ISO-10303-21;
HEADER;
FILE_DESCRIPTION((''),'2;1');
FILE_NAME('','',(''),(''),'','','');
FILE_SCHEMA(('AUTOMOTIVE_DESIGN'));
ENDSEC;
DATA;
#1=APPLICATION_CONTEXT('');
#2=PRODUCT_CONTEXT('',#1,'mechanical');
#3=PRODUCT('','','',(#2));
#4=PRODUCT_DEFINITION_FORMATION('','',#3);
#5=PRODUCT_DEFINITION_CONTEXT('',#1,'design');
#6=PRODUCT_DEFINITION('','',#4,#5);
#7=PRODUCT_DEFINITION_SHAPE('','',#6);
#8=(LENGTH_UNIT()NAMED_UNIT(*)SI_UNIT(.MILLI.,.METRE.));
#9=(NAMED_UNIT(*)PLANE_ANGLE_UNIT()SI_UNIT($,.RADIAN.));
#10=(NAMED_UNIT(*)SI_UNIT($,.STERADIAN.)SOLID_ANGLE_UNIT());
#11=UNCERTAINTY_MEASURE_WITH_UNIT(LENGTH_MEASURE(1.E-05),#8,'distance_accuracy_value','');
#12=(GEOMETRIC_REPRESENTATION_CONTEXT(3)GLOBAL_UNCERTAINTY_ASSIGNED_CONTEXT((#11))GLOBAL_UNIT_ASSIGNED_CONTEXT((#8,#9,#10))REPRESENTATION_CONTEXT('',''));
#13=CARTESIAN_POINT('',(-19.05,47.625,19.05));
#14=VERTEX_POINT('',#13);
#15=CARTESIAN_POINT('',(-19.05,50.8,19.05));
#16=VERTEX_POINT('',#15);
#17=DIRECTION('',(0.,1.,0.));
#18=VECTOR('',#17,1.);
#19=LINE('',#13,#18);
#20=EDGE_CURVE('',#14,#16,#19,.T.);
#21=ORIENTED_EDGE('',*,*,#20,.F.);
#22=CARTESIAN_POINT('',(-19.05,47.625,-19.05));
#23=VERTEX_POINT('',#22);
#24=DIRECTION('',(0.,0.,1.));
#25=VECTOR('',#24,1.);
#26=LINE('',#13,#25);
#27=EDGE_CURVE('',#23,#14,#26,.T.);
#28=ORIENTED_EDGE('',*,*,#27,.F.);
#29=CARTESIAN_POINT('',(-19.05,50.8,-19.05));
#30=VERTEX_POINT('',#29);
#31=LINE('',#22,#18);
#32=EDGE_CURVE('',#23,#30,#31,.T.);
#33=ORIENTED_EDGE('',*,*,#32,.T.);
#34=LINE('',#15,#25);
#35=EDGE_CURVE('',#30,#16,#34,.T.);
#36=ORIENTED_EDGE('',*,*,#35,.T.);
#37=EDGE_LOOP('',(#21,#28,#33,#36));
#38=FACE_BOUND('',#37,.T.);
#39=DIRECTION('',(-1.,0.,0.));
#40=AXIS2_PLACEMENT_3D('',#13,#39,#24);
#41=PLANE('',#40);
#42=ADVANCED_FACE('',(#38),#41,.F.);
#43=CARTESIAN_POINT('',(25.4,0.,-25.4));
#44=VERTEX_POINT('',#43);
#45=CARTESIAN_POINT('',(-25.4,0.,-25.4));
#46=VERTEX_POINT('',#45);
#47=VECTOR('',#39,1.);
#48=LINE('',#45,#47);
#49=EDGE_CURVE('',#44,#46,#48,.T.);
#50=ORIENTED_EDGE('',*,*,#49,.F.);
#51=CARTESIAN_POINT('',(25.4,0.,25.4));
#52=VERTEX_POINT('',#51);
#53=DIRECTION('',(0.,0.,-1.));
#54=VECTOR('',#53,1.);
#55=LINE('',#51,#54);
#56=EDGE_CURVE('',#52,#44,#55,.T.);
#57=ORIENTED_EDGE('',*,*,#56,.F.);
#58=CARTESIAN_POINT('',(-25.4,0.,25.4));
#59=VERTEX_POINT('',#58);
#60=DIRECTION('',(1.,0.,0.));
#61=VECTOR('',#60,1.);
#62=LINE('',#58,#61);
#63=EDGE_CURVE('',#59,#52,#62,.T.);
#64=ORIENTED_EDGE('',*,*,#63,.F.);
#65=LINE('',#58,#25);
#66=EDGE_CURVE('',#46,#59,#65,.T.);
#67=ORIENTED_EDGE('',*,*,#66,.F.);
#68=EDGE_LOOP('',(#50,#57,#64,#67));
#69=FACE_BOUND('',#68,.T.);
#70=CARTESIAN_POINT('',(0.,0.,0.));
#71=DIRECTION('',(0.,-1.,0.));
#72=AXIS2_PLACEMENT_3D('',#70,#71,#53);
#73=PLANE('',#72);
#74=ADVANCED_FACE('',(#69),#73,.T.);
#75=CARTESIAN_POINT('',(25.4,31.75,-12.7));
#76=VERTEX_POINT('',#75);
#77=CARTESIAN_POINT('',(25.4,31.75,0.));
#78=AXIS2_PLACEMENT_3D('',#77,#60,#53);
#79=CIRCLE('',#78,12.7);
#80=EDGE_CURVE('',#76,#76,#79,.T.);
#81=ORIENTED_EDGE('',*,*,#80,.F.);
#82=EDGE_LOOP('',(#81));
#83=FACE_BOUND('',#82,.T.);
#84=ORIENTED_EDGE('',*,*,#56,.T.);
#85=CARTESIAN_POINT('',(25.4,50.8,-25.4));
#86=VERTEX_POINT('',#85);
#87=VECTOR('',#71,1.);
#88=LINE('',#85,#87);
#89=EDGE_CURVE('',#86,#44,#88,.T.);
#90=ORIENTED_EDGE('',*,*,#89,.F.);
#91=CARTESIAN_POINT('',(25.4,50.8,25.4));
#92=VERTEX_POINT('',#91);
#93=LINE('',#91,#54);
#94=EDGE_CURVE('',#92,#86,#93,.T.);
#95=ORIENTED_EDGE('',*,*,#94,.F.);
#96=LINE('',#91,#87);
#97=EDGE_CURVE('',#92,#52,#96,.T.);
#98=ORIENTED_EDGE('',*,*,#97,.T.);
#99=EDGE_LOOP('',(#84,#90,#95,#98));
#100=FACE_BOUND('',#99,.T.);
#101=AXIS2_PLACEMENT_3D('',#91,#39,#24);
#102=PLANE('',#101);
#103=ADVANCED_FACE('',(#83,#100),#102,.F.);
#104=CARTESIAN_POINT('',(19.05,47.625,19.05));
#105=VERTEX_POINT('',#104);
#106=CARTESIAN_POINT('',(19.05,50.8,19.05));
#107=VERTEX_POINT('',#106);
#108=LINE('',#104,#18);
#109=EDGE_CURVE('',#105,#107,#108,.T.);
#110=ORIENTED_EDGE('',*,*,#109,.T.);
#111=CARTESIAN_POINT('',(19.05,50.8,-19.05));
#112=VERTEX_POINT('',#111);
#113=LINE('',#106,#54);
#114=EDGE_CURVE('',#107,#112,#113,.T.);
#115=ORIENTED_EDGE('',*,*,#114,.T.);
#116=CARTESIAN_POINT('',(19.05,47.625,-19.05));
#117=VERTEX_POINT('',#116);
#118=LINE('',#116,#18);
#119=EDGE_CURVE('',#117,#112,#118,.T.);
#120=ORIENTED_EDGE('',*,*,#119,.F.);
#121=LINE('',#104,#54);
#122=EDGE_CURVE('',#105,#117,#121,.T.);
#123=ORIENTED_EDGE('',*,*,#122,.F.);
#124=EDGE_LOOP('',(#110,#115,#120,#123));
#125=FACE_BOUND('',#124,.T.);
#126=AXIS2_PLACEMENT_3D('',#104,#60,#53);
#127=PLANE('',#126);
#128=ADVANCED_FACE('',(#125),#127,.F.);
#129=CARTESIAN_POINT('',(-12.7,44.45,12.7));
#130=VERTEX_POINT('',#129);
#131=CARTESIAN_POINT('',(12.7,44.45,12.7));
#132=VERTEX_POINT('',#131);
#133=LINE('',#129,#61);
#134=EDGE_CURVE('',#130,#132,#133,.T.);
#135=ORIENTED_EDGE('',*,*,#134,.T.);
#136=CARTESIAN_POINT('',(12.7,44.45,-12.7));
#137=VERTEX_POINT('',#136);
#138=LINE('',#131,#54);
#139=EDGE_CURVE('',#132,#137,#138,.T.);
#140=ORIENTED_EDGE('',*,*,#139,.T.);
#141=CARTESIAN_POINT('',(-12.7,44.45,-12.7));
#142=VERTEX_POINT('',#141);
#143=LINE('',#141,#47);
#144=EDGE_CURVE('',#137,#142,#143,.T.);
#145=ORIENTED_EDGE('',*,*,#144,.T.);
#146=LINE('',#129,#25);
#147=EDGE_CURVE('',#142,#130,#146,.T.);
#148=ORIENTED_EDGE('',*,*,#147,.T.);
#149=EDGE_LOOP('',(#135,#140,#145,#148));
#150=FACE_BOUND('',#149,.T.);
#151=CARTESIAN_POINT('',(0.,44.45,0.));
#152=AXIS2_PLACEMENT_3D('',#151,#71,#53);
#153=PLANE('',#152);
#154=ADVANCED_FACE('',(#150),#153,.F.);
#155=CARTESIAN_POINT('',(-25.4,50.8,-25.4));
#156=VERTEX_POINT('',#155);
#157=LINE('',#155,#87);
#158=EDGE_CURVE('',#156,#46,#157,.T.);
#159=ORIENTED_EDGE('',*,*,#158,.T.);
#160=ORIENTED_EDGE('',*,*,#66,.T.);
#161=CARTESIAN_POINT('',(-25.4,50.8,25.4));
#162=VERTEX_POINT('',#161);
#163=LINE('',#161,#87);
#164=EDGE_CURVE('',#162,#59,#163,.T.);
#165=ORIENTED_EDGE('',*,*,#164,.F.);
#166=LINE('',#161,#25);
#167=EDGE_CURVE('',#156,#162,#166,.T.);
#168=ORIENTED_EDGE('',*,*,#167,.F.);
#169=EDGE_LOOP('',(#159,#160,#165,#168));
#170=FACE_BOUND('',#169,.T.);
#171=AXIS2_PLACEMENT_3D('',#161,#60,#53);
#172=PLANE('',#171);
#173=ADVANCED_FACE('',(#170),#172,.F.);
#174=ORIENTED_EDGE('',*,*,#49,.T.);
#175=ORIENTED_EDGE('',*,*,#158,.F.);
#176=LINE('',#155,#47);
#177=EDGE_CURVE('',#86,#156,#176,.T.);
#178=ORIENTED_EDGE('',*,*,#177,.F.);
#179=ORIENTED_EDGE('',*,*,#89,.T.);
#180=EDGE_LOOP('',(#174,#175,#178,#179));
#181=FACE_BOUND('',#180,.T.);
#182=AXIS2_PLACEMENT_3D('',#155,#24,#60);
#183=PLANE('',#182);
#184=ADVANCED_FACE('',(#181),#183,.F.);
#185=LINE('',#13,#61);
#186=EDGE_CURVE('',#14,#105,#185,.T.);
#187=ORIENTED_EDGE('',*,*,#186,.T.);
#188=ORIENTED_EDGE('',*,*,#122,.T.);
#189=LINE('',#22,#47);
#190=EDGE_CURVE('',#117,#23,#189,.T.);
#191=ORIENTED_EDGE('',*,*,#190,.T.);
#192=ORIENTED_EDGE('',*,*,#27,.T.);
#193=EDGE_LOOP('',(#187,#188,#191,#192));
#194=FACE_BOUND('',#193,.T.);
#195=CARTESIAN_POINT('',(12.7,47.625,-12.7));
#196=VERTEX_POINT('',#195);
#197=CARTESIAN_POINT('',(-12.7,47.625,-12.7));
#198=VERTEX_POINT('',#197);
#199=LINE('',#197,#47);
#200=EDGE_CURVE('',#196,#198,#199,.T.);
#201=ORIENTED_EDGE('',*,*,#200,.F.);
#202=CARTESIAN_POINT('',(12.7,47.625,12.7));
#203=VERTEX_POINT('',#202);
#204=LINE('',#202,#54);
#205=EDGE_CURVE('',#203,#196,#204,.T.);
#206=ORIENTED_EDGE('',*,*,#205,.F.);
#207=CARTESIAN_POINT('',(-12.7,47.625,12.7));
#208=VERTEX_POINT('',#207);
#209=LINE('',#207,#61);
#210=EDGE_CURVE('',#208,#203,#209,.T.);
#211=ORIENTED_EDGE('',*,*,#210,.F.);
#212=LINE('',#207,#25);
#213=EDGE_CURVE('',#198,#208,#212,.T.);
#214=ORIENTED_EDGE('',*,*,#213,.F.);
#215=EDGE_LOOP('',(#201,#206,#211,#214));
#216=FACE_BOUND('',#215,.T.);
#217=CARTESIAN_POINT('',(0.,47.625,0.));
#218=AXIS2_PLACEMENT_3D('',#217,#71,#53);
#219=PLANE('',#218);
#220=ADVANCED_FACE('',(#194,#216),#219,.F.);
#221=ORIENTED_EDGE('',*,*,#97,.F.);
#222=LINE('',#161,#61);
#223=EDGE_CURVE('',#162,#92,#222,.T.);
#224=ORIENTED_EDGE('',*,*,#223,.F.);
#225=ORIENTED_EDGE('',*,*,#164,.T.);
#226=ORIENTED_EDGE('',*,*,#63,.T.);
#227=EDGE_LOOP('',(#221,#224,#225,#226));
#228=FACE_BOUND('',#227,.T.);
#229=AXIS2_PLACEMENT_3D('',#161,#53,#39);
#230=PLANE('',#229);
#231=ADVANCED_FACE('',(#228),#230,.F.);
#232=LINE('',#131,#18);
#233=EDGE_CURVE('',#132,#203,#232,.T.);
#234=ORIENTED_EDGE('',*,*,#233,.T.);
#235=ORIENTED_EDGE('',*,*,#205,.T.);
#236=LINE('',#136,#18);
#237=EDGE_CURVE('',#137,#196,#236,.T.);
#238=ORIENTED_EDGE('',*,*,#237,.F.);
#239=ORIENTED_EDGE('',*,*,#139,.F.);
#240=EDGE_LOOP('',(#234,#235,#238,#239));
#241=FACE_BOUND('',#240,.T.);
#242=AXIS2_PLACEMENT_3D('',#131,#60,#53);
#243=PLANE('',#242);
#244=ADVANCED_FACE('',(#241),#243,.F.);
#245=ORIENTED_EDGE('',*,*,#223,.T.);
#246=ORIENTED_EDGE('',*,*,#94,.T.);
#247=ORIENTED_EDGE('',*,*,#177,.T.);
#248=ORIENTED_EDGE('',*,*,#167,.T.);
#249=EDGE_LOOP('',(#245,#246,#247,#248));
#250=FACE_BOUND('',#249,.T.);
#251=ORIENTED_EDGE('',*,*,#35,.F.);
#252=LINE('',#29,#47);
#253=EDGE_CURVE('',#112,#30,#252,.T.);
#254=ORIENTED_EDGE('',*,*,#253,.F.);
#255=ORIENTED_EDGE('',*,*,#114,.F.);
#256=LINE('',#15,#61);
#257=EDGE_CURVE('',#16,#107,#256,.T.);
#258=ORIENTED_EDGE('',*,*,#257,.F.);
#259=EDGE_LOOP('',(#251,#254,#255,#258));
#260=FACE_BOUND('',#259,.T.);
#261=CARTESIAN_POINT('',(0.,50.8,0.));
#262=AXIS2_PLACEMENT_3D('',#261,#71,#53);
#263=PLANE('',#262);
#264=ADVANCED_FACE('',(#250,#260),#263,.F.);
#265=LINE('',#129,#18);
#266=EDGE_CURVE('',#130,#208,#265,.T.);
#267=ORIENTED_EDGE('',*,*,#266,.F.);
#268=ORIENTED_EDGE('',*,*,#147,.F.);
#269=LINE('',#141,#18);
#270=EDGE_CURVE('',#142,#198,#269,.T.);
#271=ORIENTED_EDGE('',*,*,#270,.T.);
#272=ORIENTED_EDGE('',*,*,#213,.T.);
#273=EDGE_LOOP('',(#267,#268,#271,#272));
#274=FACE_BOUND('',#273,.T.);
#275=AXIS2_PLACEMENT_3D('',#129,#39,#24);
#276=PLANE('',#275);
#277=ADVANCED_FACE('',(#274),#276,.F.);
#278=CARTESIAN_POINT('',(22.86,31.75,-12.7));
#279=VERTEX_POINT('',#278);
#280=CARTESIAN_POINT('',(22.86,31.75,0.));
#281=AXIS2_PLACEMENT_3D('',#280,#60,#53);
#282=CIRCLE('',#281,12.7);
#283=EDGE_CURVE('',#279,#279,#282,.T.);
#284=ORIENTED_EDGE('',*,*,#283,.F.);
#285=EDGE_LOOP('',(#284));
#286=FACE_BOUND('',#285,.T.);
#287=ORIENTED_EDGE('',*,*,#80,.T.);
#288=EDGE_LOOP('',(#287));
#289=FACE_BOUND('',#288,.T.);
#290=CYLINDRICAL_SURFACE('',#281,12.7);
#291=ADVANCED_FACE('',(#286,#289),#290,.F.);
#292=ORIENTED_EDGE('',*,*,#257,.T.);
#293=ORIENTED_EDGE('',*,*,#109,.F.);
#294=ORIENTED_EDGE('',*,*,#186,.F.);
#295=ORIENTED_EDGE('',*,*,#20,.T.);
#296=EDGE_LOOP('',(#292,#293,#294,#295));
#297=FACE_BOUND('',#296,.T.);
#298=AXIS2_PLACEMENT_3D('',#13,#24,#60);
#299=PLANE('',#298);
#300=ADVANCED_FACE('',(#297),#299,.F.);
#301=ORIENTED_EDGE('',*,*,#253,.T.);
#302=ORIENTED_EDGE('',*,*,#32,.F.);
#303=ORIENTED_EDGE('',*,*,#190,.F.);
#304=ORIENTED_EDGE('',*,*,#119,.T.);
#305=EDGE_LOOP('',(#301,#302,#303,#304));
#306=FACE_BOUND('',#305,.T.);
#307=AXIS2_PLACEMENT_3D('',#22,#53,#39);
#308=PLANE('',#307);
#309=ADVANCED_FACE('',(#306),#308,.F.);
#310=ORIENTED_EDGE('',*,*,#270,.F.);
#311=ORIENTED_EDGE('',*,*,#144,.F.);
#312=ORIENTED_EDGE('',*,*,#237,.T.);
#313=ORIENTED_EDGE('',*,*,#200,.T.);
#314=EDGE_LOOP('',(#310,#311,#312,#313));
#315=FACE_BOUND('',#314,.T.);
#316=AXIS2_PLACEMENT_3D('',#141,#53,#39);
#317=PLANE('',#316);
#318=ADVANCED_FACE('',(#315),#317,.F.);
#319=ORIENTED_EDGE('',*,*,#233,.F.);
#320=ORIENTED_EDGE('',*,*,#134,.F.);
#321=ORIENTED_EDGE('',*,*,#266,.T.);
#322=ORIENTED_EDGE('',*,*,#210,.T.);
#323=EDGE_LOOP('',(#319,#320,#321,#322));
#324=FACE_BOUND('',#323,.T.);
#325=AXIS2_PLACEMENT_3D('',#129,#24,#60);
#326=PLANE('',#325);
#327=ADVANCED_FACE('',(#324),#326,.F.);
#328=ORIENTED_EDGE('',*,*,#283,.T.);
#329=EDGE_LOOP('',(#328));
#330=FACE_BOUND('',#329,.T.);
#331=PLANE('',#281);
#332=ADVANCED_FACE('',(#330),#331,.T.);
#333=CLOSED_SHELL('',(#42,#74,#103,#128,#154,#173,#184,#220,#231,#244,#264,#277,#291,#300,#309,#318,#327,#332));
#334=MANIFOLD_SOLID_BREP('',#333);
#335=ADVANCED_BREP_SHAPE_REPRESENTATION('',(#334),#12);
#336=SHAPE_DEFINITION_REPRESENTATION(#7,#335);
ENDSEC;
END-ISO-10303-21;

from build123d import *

# Parameters (mm, degrees)
SKETCH1_W           = 50.8
SKETCH1_H           = 50.8
BOSS_EXTRUDE1_DEPTH = 50.8
SKETCH4_R           = 12.7
CUT_EXTRUDE3_DEPTH  = 2.54
SKETCH5_W           = 38.1
SKETCH5_H           = 38.1
CUT_EXTRUDE5_DEPTH  = 3.175
SKETCH6_W           = 25.4
SKETCH6_H           = 25.4
CUT_EXTRUDE6_DEPTH  = 3.175


with BuildPart() as part:
    # Sketch1 → Boss-Extrude1 (new body)
    with BuildSketch(Plane(origin=(0, 0, 0), x_dir=(1, 0, 0), z_dir=(0, 1, 0))):
        Rectangle(SKETCH1_W, SKETCH1_H)
    extrude(amount=BOSS_EXTRUDE1_DEPTH)

    # Sketch4 → Cut-Extrude3 (cut)
    with BuildSketch(Plane(origin=(25.4, 0, 0), x_dir=(0, 0, -1), z_dir=(1, 0, 0))):
        with Locations((0, 31.75)):
            Circle(SKETCH4_R)
    extrude(amount=-CUT_EXTRUDE3_DEPTH, mode=Mode.SUBTRACT)

    # Sketch5 → Cut-Extrude5 (cut)
    with BuildSketch(Plane(origin=(0, 50.8, 0), x_dir=(1, 0, 0), z_dir=(0, 1, 0))):
        Rectangle(SKETCH5_W, SKETCH5_H)
    extrude(amount=-CUT_EXTRUDE5_DEPTH, mode=Mode.SUBTRACT)

    # Sketch6 → Cut-Extrude6 (cut)
    with BuildSketch(Plane(origin=(0, 47.625, 0), x_dir=(1, 0, 0), z_dir=(0, 1, 0))):
        Rectangle(SKETCH6_W, SKETCH6_H)
    extrude(amount=-CUT_EXTRUDE6_DEPTH, mode=Mode.SUBTRACT)


solid = part.part
